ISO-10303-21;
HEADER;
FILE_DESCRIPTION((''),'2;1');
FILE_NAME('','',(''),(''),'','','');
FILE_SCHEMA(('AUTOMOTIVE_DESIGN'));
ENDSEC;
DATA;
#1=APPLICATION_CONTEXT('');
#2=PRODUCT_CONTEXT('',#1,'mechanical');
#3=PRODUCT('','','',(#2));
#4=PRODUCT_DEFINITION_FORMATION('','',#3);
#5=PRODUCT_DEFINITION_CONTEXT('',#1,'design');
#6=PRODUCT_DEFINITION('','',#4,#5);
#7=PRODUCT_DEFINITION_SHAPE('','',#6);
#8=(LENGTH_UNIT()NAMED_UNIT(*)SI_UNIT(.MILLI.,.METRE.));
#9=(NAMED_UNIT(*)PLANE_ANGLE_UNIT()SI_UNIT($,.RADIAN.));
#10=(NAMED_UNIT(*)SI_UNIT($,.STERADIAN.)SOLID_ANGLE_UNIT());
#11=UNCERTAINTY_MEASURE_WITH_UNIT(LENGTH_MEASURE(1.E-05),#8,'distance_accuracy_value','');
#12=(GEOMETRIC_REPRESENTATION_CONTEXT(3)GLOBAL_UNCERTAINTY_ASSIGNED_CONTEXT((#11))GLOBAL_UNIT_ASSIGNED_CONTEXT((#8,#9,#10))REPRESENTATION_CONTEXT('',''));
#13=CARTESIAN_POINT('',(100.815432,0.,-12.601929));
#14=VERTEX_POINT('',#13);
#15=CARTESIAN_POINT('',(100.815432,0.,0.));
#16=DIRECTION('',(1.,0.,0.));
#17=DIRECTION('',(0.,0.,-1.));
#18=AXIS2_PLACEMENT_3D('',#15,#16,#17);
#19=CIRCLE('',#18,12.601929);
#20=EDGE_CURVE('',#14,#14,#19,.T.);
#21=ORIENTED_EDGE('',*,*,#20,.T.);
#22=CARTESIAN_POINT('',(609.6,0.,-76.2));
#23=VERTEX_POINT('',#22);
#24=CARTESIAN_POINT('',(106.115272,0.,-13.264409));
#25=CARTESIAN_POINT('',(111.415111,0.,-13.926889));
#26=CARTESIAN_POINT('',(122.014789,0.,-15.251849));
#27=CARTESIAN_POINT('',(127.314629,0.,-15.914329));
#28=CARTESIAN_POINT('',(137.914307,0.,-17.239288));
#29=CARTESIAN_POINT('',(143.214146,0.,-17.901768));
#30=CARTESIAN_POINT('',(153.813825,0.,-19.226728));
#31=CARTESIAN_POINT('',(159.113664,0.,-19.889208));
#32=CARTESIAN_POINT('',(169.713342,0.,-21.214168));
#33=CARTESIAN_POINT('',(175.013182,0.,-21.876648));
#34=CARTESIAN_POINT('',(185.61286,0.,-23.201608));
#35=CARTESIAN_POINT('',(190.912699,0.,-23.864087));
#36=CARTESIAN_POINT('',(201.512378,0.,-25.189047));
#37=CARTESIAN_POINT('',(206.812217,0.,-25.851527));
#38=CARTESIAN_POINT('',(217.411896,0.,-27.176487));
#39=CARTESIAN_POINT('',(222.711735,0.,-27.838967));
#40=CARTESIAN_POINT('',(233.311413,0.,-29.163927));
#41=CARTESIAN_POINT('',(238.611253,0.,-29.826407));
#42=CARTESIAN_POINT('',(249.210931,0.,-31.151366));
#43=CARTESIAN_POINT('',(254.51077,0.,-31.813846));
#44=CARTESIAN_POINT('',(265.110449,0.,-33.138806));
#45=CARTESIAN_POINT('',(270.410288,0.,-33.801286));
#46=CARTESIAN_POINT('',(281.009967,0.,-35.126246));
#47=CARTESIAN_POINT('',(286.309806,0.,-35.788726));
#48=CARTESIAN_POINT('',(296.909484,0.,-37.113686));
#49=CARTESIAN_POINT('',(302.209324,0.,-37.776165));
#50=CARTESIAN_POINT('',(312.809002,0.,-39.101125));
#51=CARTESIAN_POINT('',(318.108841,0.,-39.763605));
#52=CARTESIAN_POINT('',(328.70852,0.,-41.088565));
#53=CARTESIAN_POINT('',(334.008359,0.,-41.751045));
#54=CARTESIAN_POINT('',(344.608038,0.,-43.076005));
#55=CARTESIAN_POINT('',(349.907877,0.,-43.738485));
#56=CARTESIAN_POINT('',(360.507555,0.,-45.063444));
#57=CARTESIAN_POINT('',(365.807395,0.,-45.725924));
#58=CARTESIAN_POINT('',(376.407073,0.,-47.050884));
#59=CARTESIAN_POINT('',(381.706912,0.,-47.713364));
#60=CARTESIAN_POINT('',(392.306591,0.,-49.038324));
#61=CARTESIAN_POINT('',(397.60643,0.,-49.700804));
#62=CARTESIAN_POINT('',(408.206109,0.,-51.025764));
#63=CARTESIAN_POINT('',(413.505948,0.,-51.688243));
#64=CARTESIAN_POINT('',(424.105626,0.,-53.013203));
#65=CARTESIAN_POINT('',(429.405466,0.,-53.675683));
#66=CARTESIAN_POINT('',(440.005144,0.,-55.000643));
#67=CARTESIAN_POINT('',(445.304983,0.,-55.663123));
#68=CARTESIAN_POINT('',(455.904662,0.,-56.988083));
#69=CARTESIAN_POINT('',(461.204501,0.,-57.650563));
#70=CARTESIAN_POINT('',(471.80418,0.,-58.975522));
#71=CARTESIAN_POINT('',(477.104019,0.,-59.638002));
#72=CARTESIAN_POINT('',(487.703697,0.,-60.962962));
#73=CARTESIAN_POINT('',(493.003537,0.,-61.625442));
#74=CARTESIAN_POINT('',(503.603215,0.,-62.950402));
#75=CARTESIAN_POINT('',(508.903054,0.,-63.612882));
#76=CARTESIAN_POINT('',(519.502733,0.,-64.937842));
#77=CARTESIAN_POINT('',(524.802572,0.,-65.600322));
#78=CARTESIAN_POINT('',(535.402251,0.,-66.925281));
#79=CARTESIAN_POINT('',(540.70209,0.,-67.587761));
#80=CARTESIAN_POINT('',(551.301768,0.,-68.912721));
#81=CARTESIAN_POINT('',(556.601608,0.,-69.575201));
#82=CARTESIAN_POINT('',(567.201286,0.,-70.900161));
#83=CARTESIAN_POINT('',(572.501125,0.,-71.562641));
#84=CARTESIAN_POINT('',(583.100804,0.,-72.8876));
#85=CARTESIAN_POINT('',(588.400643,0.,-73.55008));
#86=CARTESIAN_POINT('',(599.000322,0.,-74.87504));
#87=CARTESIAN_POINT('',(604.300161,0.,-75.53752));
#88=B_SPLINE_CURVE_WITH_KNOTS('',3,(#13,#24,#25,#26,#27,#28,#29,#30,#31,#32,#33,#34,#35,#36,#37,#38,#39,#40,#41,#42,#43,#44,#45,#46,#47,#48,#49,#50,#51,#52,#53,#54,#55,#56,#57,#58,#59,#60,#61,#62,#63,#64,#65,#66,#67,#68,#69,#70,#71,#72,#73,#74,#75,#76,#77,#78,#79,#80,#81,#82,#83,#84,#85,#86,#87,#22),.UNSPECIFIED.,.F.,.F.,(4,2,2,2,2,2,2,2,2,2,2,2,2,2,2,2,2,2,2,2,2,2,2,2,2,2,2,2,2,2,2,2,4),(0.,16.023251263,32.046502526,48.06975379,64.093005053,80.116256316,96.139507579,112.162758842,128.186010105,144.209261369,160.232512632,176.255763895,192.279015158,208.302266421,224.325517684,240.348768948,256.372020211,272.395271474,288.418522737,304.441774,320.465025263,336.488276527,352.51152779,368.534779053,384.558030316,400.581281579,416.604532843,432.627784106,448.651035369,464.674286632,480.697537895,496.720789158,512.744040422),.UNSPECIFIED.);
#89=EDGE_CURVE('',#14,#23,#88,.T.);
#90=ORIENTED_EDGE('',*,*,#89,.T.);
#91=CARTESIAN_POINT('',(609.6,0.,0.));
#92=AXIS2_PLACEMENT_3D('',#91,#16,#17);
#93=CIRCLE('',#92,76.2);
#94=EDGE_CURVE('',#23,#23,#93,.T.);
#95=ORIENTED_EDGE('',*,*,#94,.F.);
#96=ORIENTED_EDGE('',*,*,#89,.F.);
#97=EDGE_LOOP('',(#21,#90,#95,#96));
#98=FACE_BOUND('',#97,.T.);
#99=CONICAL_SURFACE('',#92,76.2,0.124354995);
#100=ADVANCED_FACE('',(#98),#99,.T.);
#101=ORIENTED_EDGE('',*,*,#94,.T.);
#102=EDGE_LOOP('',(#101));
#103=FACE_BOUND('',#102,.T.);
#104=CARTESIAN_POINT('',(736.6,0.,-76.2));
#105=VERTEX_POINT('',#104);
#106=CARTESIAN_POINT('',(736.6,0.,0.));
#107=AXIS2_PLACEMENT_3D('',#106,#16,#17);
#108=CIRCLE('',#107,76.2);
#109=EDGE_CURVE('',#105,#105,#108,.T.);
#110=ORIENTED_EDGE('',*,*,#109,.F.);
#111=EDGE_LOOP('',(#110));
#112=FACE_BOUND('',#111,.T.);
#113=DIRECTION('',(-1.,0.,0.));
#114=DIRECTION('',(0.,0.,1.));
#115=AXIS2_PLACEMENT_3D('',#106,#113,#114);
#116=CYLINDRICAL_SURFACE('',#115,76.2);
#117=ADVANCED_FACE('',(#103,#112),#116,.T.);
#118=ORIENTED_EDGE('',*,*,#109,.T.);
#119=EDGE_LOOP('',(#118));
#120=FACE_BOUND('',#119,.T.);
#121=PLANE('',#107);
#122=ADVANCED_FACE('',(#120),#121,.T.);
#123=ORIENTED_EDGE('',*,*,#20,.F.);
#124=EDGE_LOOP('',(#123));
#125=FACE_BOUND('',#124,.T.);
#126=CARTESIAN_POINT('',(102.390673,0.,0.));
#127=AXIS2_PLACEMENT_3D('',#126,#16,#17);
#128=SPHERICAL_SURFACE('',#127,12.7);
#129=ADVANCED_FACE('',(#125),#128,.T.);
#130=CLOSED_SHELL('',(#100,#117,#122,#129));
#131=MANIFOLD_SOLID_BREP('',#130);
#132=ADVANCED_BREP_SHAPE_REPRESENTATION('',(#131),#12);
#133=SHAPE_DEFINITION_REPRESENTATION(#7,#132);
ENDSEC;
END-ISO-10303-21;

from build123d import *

# Parameters (mm, degrees)
SKETCH2_R           = 76.2
BOSS_EXTRUDE1_DEPTH = 127


with BuildPart() as part:
    # Sketch1 → Revolve3 (revolve)
    with BuildSketch(Plane(origin=(0, 0, 0), x_dir=(1, 0, 0), z_dir=(0, 1, 0))):
        with BuildLine():
            Line((89.690673402, 0), (609.6, 0))
            Line((609.6, 0), (609.6, 76.2))
            Line((609.6, 76.2), (100.815432273, 12.601929034))
            ThreePointArc((100.815432273, 12.601929034), (92.869760569, 8.404892553), (89.690673402, 0))
        make_face()
    revolve(axis=Axis((89.690673402, 0, 0), (1, 0, 0)))

    # Sketch2 → Boss-Extrude1 (add)
    with BuildSketch(Plane(origin=(609.6, 0, 0), x_dir=(0, 0, -1), z_dir=(1, 0, 0))):
        Circle(SKETCH2_R)
    extrude(amount=BOSS_EXTRUDE1_DEPTH)


solid = part.part
